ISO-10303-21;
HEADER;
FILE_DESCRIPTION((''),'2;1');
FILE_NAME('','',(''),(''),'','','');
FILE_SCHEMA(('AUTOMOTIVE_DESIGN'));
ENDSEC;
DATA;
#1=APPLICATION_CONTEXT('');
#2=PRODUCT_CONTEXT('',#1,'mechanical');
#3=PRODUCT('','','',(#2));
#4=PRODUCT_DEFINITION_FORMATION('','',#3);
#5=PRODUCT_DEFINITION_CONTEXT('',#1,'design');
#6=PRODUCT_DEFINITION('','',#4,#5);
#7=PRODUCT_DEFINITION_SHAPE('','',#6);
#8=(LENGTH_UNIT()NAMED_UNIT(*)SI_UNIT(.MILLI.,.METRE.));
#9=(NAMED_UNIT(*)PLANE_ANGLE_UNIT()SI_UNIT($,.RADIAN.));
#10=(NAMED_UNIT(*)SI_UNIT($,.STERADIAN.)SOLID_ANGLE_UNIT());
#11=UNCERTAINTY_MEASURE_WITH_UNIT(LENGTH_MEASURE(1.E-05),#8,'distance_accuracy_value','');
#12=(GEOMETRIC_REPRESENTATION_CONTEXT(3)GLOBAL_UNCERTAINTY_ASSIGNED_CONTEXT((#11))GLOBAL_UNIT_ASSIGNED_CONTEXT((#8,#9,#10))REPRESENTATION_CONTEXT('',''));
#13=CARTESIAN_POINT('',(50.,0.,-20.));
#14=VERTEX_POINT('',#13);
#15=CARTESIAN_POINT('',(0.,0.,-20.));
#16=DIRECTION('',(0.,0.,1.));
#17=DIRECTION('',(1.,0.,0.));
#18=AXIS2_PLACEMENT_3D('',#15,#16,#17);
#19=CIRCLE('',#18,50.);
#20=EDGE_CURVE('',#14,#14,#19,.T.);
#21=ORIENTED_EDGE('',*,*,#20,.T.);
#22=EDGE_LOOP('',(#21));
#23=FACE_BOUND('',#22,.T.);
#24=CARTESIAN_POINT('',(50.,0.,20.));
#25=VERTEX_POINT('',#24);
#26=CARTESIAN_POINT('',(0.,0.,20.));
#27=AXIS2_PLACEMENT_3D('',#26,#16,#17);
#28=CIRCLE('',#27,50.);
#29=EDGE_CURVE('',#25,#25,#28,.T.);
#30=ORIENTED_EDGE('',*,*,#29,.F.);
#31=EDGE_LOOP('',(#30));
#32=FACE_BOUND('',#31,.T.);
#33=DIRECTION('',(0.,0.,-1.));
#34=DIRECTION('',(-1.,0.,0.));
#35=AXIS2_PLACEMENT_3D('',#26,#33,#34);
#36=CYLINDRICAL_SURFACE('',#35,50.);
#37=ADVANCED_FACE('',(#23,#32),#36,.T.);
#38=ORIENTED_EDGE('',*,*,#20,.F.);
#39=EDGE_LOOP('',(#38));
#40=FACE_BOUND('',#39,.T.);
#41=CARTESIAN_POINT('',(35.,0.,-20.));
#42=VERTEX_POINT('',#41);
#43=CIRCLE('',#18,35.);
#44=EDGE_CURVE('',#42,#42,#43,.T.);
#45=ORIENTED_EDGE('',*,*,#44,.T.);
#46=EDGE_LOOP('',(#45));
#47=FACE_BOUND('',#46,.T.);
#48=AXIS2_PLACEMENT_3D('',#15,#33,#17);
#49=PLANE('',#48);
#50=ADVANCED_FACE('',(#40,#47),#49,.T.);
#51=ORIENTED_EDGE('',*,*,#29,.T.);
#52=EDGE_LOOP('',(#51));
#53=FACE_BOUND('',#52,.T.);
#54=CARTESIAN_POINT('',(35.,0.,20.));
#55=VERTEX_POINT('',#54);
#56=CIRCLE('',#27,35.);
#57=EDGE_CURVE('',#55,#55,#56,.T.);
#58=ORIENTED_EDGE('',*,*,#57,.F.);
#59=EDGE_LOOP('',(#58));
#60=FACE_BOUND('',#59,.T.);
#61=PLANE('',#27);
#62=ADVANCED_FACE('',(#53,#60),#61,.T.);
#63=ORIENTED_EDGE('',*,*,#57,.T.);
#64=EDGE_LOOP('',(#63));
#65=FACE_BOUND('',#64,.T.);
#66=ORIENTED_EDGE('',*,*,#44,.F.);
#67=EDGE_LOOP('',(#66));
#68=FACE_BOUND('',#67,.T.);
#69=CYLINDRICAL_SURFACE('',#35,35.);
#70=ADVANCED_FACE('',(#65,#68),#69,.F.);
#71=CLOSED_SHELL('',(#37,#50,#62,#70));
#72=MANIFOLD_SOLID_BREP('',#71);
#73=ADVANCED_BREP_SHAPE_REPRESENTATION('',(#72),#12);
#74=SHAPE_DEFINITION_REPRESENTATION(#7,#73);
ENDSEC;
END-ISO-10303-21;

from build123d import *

# Parameters (mm, degrees)
SKETCH1_R           = 50
SKETCH1_R_2         = 35
BOSS_EXTRUDE1_DEPTH = 20


with BuildPart() as part:
    # Sketch1 → Boss-Extrude1 (new body)
    with BuildSketch(Plane.XY):
        Circle(SKETCH1_R)
        Circle(SKETCH1_R_2, mode=Mode.SUBTRACT)
    boss_extrude1 = extrude(amount=BOSS_EXTRUDE1_DEPTH)

    # Mirror1: Boss-Extrude1 across plane
    add(boss_extrude1.mirror(Plane.XY))


solid = part.part
